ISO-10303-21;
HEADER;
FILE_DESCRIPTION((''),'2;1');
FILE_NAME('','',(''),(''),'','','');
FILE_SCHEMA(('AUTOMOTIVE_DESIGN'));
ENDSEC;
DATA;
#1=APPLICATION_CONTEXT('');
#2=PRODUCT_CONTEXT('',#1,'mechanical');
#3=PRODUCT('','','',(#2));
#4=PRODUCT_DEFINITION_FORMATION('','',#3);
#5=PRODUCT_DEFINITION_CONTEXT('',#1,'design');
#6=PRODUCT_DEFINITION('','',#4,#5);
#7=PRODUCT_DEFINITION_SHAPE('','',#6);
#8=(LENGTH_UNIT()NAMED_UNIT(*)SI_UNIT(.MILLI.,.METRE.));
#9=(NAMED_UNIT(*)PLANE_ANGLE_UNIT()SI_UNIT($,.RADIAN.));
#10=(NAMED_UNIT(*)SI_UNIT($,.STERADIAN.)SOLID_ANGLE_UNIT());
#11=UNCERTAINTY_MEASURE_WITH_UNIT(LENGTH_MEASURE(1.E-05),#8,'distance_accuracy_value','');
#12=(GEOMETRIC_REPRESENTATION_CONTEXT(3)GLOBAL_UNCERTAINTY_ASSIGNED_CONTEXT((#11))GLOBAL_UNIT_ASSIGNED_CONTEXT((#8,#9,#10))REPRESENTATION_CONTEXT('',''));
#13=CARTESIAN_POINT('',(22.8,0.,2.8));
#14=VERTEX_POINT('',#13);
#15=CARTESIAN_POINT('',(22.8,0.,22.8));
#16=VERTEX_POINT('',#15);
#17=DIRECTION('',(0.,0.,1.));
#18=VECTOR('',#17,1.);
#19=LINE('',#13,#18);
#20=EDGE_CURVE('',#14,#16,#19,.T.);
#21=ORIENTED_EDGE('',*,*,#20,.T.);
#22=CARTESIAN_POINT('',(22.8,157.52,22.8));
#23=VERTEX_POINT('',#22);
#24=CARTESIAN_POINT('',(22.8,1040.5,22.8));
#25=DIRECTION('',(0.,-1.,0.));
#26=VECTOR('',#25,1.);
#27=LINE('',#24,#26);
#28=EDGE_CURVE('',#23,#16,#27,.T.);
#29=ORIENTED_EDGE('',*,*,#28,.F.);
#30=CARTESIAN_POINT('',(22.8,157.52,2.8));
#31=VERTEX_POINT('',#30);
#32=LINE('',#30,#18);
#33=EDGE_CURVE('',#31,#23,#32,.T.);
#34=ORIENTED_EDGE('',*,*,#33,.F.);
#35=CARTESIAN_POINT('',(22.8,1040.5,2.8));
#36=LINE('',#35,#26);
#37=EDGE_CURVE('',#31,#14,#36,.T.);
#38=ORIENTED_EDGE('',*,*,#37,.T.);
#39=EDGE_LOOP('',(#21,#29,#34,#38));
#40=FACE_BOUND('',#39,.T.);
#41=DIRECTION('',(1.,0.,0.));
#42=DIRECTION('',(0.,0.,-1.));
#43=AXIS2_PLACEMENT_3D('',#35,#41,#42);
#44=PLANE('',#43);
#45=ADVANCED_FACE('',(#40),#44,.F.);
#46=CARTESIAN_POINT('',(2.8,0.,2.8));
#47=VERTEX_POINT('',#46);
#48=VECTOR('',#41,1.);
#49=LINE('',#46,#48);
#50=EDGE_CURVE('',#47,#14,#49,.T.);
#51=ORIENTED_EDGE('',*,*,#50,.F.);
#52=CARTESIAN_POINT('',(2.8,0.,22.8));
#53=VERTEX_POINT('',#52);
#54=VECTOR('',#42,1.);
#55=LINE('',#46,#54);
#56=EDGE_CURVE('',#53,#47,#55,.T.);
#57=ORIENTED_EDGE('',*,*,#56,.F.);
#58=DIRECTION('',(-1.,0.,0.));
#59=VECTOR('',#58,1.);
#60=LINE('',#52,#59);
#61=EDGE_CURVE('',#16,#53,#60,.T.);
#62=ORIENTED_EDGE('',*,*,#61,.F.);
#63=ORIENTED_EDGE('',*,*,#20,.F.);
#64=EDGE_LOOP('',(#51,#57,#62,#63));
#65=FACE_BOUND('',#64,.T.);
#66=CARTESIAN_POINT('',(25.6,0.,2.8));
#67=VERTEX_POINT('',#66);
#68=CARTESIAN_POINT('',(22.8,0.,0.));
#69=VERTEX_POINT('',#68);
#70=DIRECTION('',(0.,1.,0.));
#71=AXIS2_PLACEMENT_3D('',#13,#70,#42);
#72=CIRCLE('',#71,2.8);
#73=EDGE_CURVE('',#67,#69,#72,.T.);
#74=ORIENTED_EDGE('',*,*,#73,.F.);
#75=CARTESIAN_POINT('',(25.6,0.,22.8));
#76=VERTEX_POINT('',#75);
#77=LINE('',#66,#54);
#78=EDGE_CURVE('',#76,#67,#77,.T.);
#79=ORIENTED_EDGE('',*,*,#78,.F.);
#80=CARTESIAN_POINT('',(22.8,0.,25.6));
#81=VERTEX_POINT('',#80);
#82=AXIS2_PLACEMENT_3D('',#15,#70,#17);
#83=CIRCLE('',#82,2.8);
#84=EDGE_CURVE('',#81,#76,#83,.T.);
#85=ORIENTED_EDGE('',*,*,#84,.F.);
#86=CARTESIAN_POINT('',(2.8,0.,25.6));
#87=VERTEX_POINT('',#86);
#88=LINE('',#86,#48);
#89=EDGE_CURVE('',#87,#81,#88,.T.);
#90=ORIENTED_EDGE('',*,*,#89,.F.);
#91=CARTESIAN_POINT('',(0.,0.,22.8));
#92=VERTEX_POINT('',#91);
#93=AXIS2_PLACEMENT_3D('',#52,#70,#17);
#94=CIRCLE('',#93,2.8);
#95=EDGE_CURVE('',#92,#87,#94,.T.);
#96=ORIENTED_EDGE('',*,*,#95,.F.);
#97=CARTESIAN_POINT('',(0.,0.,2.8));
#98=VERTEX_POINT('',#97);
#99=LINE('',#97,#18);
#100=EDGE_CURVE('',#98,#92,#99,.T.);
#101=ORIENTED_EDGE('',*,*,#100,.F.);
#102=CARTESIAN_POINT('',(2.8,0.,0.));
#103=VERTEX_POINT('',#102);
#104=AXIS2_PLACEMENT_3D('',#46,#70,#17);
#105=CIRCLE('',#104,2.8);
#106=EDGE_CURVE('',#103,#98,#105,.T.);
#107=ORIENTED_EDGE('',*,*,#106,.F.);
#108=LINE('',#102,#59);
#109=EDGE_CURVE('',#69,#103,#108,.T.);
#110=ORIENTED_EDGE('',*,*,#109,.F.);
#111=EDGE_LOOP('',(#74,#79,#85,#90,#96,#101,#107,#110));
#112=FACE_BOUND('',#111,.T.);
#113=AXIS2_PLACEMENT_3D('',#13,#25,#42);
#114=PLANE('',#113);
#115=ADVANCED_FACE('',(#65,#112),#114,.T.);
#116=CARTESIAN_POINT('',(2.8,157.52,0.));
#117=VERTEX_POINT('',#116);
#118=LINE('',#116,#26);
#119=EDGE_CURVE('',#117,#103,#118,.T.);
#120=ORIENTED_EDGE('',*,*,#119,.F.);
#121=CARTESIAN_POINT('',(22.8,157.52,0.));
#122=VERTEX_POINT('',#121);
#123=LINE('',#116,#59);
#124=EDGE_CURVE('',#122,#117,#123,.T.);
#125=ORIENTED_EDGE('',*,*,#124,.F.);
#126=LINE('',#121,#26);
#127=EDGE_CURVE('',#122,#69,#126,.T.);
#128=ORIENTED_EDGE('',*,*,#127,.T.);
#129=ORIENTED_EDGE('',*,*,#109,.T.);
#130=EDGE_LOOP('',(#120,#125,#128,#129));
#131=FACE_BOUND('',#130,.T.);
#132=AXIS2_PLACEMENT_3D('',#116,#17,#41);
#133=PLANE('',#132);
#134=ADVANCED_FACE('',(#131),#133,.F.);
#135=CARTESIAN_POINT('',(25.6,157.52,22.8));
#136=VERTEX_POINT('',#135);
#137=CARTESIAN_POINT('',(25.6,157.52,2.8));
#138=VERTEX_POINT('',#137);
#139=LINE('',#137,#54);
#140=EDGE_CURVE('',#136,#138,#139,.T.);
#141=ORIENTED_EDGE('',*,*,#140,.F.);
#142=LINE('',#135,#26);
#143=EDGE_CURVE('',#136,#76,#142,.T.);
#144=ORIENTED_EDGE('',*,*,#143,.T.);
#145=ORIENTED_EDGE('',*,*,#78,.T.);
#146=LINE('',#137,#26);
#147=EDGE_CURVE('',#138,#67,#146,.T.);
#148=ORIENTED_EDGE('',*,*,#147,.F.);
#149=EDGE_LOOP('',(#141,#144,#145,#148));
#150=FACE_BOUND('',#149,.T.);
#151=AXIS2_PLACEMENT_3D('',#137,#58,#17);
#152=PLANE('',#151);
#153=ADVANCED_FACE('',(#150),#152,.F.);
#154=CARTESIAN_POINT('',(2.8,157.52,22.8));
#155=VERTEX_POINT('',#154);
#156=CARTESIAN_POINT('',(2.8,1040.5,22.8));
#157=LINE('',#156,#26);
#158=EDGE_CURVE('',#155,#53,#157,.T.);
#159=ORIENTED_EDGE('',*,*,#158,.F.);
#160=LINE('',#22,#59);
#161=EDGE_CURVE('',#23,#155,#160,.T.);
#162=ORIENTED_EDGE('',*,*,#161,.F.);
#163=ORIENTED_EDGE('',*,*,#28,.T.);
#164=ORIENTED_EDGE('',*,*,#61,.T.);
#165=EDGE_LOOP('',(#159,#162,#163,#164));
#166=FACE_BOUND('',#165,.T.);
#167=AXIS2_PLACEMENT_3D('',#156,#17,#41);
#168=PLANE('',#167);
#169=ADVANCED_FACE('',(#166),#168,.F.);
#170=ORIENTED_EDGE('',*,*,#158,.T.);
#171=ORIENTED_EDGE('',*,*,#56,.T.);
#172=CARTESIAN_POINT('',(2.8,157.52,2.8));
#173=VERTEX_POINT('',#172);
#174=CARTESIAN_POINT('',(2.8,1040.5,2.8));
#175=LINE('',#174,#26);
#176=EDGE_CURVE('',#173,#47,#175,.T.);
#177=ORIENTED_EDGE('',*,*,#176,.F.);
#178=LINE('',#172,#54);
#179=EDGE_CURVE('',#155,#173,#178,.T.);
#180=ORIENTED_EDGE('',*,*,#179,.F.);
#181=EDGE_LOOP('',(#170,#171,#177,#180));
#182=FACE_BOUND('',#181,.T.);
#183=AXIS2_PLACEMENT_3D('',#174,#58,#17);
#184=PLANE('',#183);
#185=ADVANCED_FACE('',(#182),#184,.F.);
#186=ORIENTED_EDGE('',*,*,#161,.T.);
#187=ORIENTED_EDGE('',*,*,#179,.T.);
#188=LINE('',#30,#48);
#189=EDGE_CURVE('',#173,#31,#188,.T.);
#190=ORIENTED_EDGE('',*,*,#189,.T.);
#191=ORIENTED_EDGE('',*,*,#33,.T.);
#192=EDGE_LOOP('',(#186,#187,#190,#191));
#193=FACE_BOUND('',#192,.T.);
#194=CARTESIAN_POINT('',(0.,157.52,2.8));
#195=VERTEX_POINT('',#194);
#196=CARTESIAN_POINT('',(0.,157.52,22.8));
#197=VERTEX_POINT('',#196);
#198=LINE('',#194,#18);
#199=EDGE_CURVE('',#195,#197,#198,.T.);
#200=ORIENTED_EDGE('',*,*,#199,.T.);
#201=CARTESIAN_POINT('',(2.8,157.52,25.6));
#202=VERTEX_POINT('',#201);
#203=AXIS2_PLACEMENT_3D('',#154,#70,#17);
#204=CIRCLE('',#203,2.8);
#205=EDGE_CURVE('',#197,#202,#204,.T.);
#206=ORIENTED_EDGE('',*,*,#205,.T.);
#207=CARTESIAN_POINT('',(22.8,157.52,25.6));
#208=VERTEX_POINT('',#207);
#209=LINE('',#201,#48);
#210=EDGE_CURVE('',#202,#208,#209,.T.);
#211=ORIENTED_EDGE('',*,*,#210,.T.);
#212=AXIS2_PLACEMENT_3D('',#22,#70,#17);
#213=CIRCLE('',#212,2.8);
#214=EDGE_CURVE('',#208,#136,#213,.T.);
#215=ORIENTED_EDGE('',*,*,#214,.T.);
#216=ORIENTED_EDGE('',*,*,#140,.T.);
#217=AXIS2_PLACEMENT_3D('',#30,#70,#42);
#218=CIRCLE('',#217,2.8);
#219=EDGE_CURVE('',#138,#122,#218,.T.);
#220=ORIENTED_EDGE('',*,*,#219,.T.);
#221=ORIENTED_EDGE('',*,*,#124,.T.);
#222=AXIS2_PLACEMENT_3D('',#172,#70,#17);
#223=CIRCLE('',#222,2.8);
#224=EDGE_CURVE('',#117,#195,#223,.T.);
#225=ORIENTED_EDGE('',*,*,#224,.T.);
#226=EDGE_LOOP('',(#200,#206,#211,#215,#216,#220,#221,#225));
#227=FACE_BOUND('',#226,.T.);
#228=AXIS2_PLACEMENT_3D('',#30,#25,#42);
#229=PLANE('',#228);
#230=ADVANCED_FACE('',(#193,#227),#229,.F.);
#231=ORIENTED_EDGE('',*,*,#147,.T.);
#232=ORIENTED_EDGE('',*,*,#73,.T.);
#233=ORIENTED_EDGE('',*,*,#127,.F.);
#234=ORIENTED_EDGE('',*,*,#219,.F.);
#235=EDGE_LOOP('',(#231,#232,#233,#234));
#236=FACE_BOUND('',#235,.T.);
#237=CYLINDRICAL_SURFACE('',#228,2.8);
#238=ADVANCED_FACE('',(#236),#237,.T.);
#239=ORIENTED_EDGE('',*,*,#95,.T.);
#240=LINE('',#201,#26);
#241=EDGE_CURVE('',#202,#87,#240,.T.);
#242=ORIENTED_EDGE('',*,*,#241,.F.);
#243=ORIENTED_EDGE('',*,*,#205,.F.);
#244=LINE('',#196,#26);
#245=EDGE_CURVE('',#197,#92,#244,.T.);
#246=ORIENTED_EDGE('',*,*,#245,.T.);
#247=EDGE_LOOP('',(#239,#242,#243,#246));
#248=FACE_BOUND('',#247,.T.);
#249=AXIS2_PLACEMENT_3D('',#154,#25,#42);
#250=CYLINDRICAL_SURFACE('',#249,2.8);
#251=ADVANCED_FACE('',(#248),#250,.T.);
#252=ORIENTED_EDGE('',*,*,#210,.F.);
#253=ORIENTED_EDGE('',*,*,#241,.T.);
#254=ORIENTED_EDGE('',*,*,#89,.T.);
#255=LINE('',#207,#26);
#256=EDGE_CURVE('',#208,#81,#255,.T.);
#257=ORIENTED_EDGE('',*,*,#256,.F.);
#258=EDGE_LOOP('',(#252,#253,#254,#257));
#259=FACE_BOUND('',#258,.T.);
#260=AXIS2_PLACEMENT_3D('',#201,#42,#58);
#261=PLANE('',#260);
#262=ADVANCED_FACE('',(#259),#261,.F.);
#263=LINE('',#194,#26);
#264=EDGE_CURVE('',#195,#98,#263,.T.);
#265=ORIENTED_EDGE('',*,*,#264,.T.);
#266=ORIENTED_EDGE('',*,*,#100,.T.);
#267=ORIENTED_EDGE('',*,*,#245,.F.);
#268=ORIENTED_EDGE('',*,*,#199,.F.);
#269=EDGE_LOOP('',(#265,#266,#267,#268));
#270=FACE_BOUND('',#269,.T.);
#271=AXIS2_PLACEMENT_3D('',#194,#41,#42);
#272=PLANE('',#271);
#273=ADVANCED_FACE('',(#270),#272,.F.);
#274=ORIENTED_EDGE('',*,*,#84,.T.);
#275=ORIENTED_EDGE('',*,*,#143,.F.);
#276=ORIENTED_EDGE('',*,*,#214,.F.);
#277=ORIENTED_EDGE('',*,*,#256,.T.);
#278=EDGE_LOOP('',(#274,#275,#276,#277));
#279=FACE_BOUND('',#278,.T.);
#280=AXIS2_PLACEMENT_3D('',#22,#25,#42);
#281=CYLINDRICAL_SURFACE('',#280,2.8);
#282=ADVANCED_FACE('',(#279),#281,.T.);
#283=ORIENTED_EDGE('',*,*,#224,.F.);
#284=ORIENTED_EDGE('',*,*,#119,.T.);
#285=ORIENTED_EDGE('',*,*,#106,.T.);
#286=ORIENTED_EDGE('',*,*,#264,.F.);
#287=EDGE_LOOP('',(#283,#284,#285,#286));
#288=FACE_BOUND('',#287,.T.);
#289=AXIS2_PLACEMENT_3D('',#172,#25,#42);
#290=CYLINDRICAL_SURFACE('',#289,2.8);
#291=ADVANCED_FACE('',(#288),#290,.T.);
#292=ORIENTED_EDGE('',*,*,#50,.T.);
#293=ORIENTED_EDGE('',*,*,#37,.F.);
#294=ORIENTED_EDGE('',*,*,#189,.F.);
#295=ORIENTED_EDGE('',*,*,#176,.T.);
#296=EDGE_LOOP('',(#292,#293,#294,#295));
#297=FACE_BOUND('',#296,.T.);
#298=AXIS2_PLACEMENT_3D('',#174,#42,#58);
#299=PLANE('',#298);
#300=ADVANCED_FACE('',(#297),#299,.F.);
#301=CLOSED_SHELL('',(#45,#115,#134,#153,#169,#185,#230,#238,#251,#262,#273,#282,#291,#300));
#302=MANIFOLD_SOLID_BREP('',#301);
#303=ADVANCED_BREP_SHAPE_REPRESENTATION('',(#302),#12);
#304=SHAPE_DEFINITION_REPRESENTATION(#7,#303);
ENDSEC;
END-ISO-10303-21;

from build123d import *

# Parameters (mm, degrees)
BOSS_EXTRUDE1_DEPTH = 157.52
SKETCH3_W           = 20
SKETCH3_H           = 20
CUT_EXTRUDE1_DEPTH  = 1040.5


with BuildPart() as part:
    # Sketch1 → Boss-Extrude1 (new body)
    with BuildSketch(Plane(origin=(0, 0, 0), x_dir=(1, 0, 0), z_dir=(0, 1, 0))):
        with BuildLine():
            Line((2.8, 0), (22.8, 0))
            ThreePointArc((22.8, 0), (24.779898987, -0.820101013), (25.6, -2.8))
            Line((25.6, -2.8), (25.6, -22.8))
            ThreePointArc((25.6, -22.8), (24.779898987, -24.779898987), (22.8, -25.6))
            Line((22.8, -25.6), (2.8, -25.6))
            ThreePointArc((2.8, -25.6), (0.820101013, -24.779898987), (0, -22.8))
            Line((0, -22.8), (0, -2.8))
            ThreePointArc((0, -2.8), (0.820101013, -0.820101013), (2.8, 0))
        make_face()
    extrude(amount=BOSS_EXTRUDE1_DEPTH)

    # Sketch3 → Cut-Extrude1 (cut)
    with BuildSketch(Plane(origin=(0, 0, 0), x_dir=(-1, 0, 0), z_dir=(0, -1, 0))):
        with Locations((-12.8, -12.8)):
            Rectangle(SKETCH3_W, SKETCH3_H)
    extrude(amount=-CUT_EXTRUDE1_DEPTH, mode=Mode.SUBTRACT)


solid = part.part
